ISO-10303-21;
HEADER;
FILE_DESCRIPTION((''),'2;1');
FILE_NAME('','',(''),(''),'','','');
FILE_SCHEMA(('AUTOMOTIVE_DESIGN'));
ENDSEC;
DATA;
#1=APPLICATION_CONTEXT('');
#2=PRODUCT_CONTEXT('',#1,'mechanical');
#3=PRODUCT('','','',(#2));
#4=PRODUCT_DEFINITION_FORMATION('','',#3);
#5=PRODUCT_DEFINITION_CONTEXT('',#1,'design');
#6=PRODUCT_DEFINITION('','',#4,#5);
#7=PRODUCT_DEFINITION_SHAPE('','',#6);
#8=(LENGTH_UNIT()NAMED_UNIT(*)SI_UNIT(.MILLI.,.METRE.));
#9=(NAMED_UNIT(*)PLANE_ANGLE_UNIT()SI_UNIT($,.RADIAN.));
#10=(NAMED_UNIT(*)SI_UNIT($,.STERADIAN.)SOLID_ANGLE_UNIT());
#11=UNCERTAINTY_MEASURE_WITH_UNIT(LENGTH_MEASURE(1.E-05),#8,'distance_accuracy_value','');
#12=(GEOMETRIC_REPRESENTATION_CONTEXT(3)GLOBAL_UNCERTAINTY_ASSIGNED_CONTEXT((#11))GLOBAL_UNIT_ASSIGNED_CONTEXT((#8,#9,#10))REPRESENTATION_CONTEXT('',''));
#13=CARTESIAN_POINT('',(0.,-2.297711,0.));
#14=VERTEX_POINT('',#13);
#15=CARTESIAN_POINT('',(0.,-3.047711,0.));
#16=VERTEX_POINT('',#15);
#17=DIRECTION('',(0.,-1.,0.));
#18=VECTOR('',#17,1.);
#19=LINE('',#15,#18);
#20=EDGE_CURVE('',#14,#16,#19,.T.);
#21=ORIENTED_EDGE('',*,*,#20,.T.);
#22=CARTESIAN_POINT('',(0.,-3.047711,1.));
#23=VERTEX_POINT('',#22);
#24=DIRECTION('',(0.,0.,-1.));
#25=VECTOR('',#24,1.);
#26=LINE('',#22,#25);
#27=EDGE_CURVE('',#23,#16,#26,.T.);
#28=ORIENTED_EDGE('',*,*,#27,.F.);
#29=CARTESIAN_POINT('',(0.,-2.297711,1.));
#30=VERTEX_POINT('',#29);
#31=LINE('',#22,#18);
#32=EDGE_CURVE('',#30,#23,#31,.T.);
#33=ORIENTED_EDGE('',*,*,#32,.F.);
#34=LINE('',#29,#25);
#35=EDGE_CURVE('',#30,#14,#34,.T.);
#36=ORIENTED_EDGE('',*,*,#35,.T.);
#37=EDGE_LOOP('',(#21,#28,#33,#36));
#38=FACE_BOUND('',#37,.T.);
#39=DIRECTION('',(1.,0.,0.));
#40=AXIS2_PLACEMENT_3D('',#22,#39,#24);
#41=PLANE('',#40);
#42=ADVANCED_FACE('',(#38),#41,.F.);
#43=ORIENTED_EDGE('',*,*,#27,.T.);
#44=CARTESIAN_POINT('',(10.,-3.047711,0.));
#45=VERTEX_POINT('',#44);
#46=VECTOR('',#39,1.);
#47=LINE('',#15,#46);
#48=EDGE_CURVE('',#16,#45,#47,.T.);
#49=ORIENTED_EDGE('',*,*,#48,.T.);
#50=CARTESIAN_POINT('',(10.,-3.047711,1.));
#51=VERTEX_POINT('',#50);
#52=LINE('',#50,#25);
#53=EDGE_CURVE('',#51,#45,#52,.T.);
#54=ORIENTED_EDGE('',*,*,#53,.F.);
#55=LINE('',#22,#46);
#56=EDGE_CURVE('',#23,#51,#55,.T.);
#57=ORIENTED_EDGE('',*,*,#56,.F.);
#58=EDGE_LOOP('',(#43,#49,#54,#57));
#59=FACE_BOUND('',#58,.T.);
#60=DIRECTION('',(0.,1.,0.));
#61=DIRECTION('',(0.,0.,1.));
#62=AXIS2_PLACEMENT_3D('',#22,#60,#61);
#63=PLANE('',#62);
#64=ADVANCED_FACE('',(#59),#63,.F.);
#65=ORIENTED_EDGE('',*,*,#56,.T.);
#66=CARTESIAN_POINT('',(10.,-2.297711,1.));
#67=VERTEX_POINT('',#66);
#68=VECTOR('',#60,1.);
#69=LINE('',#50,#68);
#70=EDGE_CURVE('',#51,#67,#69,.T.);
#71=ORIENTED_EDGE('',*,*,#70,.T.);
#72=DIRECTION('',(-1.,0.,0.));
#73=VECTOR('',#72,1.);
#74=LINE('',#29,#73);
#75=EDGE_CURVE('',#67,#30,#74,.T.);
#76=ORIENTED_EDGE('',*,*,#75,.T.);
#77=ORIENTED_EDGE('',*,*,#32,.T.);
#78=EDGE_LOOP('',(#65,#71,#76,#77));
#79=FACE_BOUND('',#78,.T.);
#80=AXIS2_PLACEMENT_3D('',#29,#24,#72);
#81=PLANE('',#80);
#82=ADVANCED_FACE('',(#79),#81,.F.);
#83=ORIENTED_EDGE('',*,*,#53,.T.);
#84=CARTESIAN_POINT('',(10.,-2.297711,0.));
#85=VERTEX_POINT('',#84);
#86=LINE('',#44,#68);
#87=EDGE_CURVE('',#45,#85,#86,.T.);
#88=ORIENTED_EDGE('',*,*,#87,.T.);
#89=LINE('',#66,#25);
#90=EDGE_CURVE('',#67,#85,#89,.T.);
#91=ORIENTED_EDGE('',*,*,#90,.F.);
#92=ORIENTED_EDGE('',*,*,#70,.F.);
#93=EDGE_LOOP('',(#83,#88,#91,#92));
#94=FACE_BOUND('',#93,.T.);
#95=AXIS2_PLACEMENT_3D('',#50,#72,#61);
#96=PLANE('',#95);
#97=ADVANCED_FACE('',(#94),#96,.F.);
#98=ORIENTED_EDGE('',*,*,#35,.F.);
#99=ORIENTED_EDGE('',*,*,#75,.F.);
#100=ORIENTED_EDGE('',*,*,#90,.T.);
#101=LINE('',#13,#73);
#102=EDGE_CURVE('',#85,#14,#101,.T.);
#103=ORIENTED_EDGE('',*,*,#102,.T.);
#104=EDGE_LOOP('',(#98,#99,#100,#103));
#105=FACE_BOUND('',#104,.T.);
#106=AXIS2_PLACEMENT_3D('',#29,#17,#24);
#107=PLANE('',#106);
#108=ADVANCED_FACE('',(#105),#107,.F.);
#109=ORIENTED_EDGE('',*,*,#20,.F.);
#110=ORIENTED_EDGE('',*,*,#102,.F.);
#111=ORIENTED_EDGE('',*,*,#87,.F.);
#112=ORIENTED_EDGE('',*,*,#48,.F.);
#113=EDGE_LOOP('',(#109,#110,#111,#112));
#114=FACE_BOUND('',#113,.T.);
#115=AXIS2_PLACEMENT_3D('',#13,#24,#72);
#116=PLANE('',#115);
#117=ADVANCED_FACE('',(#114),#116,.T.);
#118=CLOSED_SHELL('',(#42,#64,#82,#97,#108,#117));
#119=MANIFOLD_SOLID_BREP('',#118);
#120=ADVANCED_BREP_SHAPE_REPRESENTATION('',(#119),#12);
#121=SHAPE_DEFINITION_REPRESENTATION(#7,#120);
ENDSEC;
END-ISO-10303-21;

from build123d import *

# Parameters (mm, degrees)
SKETCH2_W      = 10
SKETCH2_H      = 0.75
EXTRUDE1_DEPTH = 1


with BuildPart() as part:
    # Sketch2 → Extrude1 (new body)
    with BuildSketch(Plane.XY):
        with Locations((5, -2.672711334)):
            Rectangle(SKETCH2_W, SKETCH2_H)
    extrude(amount=EXTRUDE1_DEPTH)


solid = part.part
